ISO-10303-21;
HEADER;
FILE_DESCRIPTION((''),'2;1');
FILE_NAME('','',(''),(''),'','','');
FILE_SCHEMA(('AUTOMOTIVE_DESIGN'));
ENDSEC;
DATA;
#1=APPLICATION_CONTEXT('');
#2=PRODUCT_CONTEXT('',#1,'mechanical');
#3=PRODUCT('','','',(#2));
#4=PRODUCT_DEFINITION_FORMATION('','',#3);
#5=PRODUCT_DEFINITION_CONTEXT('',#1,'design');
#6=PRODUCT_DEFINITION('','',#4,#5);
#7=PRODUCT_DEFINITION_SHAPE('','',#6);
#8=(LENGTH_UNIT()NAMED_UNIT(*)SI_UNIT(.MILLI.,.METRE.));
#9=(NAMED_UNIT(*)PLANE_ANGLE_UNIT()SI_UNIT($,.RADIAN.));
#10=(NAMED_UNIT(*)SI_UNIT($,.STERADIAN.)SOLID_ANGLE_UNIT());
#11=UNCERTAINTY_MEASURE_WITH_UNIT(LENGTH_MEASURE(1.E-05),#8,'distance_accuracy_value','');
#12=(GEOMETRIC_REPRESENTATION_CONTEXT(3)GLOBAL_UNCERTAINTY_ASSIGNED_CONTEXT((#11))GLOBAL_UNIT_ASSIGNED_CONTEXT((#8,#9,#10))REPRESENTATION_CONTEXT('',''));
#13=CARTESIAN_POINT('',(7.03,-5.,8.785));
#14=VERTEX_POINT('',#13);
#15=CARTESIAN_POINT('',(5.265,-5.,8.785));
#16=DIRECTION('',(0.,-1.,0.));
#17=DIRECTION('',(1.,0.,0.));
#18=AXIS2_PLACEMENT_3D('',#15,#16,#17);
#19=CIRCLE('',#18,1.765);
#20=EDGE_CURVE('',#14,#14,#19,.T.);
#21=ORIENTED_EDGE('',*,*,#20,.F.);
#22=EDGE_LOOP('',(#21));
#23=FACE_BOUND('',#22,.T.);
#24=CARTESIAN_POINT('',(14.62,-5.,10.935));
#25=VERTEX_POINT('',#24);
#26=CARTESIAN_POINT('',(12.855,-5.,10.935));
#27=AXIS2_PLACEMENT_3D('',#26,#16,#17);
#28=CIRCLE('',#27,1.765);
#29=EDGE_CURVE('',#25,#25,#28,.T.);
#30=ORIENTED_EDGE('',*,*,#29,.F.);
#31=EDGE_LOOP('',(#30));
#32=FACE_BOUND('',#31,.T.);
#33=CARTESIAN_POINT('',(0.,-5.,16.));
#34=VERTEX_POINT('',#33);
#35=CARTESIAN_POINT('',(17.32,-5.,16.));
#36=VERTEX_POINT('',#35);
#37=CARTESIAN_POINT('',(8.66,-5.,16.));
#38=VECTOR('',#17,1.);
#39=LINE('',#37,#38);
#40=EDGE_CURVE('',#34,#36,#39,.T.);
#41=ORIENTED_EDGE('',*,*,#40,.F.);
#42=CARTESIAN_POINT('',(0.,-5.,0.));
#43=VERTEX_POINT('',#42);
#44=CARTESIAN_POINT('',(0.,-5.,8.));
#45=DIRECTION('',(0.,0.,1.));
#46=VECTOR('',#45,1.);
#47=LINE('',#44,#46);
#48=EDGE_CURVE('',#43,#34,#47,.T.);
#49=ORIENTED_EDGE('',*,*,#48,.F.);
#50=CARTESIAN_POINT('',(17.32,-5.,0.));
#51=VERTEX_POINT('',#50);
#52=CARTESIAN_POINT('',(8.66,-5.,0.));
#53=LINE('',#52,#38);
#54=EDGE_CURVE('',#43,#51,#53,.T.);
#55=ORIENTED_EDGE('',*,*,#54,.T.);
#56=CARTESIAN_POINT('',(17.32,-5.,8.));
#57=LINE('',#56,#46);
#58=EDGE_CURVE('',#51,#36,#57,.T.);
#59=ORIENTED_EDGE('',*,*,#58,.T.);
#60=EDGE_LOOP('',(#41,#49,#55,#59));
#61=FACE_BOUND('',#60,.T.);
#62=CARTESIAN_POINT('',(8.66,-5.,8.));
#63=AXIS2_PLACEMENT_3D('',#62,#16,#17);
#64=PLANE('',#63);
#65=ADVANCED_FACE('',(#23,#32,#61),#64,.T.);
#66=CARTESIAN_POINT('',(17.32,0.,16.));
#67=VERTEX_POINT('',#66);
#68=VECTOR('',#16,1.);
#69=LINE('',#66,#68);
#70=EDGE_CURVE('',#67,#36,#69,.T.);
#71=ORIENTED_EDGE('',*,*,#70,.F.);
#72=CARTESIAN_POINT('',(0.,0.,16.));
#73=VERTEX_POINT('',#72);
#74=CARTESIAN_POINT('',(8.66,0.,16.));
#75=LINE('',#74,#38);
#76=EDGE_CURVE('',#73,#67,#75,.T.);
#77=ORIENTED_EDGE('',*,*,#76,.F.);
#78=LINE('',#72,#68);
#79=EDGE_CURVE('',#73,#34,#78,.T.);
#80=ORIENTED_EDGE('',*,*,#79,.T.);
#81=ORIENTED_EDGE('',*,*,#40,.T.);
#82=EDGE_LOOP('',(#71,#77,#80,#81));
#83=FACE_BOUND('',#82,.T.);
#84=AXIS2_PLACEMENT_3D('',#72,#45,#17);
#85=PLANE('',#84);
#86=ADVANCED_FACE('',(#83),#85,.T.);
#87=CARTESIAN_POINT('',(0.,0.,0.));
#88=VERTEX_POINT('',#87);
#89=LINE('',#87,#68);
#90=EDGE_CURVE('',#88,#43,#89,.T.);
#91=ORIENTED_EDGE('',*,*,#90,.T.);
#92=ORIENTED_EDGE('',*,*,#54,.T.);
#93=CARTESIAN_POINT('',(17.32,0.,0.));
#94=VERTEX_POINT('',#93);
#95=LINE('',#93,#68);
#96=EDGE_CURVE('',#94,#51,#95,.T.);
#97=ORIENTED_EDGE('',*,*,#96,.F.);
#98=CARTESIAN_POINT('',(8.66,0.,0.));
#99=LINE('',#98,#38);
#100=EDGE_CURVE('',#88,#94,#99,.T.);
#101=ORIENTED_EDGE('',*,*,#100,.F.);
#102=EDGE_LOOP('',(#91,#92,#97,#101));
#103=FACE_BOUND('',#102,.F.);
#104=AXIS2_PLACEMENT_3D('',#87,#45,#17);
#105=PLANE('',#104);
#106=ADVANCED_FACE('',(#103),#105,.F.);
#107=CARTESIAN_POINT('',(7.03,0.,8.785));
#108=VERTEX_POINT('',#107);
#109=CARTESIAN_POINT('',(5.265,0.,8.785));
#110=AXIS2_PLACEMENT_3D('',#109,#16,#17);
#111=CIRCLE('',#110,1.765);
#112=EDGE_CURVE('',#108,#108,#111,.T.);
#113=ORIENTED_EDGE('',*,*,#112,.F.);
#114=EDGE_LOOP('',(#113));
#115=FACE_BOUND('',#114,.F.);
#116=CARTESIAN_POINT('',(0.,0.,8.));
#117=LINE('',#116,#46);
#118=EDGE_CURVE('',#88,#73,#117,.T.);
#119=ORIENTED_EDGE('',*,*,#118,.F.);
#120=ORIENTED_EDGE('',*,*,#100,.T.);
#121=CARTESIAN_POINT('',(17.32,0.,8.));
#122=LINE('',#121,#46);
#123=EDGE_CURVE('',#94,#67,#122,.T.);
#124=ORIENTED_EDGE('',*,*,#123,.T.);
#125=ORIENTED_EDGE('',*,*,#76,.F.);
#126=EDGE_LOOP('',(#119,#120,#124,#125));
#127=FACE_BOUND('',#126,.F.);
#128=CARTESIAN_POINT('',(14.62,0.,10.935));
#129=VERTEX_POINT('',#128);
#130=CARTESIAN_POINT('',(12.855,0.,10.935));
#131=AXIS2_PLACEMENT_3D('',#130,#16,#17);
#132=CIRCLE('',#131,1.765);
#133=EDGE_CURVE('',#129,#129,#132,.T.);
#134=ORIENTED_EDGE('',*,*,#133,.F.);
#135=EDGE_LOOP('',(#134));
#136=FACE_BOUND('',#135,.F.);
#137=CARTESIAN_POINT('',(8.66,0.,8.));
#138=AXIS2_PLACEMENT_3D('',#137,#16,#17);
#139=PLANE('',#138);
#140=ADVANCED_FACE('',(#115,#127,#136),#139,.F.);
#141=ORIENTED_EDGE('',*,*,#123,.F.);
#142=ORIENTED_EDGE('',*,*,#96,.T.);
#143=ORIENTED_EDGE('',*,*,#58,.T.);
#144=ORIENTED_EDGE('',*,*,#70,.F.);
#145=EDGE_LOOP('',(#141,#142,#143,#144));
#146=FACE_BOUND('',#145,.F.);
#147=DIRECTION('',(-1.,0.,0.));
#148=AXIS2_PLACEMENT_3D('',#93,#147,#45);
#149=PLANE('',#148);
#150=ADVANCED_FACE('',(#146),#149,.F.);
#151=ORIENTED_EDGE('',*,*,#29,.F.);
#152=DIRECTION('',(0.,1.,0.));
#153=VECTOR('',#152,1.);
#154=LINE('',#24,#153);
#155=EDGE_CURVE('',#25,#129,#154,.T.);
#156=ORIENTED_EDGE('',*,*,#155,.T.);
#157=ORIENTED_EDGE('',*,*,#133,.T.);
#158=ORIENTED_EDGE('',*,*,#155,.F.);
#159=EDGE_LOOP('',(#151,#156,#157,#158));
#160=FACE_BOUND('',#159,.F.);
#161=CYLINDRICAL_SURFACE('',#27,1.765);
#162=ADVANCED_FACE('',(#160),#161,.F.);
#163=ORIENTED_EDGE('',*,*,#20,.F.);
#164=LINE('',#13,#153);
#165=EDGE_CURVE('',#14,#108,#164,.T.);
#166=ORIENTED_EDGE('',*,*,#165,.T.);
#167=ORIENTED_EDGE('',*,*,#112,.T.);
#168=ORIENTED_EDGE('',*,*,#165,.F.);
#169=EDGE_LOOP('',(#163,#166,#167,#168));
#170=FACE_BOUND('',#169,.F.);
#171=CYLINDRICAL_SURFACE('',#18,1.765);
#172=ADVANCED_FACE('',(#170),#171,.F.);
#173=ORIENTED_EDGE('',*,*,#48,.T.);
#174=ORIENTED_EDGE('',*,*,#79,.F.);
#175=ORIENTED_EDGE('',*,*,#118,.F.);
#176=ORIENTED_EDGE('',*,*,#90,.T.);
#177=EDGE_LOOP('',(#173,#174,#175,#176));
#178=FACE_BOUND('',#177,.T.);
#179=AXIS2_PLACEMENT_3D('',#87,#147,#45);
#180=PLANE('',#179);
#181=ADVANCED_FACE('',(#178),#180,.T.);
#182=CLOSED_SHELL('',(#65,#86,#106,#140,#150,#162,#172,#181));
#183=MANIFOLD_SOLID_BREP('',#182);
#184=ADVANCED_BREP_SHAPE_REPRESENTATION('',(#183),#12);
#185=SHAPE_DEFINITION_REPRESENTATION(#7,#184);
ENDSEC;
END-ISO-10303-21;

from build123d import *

# Parameters (mm, degrees)
F0_W     = 17.32
F0_H     = 16
F1_DEPTH = 5
F2_R     = 1.765
F4_DEPTH = 5
F3_R     = 1.765
F5_DEPTH = 5


with BuildPart() as f1:
    # F0 (on Front) → F1 (new body)
    with BuildSketch(Plane.XZ):
        with Locations((8.66, 8)):
            Rectangle(F0_W, F0_H)
    extrude(amount=F1_DEPTH)

    # F2 (on face) → F4 (cut, through all)
    with BuildSketch(Plane.XZ.offset(5)):
        with Locations((12.855, 10.935)):
            Circle(F2_R)
    extrude(amount=-F4_DEPTH, mode=Mode.SUBTRACT)

    # F3 (on face) → F5 (cut, through all)
    with BuildSketch(Plane.XZ.offset(5)):
        with Locations((5.265, 8.785)):
            Circle(F3_R)
    extrude(amount=-F5_DEPTH, mode=Mode.SUBTRACT)


solid = f1.part
